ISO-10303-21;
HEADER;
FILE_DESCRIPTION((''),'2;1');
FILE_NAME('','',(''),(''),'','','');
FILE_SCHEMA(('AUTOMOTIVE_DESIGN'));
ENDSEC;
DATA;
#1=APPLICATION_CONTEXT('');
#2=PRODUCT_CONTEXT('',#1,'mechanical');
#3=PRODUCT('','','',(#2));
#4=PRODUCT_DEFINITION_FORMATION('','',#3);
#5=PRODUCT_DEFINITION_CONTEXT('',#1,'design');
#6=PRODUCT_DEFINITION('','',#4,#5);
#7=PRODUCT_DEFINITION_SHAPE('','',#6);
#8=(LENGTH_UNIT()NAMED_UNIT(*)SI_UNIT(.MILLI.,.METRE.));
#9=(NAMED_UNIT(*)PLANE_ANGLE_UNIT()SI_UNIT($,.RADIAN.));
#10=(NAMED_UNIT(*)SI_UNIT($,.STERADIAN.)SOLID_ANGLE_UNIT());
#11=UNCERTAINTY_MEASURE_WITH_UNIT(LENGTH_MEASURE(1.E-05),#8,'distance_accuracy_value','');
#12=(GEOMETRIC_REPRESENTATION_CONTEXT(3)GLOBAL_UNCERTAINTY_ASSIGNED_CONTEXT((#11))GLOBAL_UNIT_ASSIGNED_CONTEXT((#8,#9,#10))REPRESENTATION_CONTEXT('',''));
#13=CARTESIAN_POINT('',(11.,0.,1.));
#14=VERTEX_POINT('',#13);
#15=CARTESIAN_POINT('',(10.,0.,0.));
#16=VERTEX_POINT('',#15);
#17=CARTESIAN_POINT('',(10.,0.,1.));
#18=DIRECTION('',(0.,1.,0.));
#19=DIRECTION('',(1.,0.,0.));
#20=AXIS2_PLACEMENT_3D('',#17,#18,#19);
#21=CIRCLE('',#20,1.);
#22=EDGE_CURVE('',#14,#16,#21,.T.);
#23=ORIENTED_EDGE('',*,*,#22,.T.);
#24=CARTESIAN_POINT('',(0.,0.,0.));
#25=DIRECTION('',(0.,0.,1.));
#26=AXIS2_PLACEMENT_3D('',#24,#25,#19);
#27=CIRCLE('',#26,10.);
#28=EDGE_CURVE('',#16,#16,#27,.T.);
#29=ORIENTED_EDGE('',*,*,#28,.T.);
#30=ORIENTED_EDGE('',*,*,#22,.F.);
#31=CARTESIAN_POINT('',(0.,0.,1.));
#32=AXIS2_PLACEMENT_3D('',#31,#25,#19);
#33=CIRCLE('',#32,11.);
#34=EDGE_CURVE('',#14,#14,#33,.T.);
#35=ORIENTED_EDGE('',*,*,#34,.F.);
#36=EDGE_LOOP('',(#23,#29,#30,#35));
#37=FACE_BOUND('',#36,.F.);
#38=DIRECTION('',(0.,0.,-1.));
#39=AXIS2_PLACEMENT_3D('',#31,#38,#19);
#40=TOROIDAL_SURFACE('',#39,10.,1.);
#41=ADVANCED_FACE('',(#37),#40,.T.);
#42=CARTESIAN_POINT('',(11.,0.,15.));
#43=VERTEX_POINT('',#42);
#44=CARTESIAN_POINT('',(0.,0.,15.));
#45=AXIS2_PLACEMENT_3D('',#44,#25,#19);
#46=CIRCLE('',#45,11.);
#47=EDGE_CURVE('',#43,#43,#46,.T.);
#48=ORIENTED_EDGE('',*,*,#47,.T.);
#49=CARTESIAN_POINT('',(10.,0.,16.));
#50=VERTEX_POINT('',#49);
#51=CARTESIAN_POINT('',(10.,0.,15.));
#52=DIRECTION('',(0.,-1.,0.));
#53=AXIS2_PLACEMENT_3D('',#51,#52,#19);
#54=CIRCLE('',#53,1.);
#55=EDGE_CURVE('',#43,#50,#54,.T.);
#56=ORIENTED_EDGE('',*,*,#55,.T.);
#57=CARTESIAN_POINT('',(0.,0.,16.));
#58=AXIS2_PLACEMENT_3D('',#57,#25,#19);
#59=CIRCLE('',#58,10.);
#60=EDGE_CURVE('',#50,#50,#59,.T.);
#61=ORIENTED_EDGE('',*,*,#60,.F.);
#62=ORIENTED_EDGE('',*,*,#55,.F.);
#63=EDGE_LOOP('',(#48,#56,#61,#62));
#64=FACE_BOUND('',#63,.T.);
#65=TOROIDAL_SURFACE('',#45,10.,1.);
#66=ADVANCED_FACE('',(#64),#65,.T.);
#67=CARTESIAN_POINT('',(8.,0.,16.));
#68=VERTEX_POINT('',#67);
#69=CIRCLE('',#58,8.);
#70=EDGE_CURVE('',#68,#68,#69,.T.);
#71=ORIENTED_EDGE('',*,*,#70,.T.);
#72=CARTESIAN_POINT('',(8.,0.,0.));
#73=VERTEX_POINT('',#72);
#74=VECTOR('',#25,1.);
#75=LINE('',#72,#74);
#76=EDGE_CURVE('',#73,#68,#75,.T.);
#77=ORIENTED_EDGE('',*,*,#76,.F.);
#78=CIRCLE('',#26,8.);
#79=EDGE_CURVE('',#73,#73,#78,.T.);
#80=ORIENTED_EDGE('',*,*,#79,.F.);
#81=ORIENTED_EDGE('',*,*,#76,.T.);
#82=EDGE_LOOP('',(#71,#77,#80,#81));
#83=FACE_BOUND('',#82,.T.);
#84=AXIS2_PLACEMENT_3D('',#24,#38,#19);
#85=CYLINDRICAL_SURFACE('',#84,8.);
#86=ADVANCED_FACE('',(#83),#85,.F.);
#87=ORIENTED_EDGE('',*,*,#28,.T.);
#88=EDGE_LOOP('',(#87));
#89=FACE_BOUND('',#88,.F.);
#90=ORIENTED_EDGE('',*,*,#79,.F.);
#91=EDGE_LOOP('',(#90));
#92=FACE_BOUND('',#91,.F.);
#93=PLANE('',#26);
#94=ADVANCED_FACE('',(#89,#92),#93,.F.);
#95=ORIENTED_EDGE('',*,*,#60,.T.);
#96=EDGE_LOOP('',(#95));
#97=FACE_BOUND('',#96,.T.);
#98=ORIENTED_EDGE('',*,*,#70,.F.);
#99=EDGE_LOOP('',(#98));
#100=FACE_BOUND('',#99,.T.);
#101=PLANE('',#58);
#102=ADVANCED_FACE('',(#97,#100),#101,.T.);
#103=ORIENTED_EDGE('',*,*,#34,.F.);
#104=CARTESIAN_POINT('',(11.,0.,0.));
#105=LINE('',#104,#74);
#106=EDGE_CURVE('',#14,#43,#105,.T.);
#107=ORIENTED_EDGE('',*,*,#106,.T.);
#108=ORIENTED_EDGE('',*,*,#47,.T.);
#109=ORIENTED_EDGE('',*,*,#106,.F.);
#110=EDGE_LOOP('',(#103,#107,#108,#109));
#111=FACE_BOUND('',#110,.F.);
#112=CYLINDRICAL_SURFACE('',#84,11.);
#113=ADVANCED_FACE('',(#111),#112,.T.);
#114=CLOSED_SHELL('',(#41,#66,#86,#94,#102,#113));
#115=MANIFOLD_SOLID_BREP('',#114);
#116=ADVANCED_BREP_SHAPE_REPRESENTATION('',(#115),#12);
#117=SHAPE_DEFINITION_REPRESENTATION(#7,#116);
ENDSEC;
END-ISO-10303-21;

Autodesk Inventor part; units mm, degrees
ref_plane "YZ Plane" through (0, 0, 0) normal (1, 0, 0) x (0, 1, 0)
ref_plane "XZ Plane" through (0, 0, 0) normal (0, 1, 0) x (-1, 0, 0)
ref_plane "XY Plane" through (0, 0, 0) normal (0, 0, 1) x (1, 0, 0)
sketch "Sketch1" plane through (0, 0, 0) normal (0, 0, 1) x (1, 0, 0)
  circle A0 centre (0, 0) radius 8
  circle A1 centre (0, 0) radius 11
  dimension "d0" = 16
  dimension "d1" = 22
extrude "Extrusion1" add sketch "Sketch1" along normal blind 16
fillet "Fillet1" radius 1 2 edges at (-11, 0, 16) (-11, 0, 0)
properties part number "roue libre 16 x 22 x 16"
